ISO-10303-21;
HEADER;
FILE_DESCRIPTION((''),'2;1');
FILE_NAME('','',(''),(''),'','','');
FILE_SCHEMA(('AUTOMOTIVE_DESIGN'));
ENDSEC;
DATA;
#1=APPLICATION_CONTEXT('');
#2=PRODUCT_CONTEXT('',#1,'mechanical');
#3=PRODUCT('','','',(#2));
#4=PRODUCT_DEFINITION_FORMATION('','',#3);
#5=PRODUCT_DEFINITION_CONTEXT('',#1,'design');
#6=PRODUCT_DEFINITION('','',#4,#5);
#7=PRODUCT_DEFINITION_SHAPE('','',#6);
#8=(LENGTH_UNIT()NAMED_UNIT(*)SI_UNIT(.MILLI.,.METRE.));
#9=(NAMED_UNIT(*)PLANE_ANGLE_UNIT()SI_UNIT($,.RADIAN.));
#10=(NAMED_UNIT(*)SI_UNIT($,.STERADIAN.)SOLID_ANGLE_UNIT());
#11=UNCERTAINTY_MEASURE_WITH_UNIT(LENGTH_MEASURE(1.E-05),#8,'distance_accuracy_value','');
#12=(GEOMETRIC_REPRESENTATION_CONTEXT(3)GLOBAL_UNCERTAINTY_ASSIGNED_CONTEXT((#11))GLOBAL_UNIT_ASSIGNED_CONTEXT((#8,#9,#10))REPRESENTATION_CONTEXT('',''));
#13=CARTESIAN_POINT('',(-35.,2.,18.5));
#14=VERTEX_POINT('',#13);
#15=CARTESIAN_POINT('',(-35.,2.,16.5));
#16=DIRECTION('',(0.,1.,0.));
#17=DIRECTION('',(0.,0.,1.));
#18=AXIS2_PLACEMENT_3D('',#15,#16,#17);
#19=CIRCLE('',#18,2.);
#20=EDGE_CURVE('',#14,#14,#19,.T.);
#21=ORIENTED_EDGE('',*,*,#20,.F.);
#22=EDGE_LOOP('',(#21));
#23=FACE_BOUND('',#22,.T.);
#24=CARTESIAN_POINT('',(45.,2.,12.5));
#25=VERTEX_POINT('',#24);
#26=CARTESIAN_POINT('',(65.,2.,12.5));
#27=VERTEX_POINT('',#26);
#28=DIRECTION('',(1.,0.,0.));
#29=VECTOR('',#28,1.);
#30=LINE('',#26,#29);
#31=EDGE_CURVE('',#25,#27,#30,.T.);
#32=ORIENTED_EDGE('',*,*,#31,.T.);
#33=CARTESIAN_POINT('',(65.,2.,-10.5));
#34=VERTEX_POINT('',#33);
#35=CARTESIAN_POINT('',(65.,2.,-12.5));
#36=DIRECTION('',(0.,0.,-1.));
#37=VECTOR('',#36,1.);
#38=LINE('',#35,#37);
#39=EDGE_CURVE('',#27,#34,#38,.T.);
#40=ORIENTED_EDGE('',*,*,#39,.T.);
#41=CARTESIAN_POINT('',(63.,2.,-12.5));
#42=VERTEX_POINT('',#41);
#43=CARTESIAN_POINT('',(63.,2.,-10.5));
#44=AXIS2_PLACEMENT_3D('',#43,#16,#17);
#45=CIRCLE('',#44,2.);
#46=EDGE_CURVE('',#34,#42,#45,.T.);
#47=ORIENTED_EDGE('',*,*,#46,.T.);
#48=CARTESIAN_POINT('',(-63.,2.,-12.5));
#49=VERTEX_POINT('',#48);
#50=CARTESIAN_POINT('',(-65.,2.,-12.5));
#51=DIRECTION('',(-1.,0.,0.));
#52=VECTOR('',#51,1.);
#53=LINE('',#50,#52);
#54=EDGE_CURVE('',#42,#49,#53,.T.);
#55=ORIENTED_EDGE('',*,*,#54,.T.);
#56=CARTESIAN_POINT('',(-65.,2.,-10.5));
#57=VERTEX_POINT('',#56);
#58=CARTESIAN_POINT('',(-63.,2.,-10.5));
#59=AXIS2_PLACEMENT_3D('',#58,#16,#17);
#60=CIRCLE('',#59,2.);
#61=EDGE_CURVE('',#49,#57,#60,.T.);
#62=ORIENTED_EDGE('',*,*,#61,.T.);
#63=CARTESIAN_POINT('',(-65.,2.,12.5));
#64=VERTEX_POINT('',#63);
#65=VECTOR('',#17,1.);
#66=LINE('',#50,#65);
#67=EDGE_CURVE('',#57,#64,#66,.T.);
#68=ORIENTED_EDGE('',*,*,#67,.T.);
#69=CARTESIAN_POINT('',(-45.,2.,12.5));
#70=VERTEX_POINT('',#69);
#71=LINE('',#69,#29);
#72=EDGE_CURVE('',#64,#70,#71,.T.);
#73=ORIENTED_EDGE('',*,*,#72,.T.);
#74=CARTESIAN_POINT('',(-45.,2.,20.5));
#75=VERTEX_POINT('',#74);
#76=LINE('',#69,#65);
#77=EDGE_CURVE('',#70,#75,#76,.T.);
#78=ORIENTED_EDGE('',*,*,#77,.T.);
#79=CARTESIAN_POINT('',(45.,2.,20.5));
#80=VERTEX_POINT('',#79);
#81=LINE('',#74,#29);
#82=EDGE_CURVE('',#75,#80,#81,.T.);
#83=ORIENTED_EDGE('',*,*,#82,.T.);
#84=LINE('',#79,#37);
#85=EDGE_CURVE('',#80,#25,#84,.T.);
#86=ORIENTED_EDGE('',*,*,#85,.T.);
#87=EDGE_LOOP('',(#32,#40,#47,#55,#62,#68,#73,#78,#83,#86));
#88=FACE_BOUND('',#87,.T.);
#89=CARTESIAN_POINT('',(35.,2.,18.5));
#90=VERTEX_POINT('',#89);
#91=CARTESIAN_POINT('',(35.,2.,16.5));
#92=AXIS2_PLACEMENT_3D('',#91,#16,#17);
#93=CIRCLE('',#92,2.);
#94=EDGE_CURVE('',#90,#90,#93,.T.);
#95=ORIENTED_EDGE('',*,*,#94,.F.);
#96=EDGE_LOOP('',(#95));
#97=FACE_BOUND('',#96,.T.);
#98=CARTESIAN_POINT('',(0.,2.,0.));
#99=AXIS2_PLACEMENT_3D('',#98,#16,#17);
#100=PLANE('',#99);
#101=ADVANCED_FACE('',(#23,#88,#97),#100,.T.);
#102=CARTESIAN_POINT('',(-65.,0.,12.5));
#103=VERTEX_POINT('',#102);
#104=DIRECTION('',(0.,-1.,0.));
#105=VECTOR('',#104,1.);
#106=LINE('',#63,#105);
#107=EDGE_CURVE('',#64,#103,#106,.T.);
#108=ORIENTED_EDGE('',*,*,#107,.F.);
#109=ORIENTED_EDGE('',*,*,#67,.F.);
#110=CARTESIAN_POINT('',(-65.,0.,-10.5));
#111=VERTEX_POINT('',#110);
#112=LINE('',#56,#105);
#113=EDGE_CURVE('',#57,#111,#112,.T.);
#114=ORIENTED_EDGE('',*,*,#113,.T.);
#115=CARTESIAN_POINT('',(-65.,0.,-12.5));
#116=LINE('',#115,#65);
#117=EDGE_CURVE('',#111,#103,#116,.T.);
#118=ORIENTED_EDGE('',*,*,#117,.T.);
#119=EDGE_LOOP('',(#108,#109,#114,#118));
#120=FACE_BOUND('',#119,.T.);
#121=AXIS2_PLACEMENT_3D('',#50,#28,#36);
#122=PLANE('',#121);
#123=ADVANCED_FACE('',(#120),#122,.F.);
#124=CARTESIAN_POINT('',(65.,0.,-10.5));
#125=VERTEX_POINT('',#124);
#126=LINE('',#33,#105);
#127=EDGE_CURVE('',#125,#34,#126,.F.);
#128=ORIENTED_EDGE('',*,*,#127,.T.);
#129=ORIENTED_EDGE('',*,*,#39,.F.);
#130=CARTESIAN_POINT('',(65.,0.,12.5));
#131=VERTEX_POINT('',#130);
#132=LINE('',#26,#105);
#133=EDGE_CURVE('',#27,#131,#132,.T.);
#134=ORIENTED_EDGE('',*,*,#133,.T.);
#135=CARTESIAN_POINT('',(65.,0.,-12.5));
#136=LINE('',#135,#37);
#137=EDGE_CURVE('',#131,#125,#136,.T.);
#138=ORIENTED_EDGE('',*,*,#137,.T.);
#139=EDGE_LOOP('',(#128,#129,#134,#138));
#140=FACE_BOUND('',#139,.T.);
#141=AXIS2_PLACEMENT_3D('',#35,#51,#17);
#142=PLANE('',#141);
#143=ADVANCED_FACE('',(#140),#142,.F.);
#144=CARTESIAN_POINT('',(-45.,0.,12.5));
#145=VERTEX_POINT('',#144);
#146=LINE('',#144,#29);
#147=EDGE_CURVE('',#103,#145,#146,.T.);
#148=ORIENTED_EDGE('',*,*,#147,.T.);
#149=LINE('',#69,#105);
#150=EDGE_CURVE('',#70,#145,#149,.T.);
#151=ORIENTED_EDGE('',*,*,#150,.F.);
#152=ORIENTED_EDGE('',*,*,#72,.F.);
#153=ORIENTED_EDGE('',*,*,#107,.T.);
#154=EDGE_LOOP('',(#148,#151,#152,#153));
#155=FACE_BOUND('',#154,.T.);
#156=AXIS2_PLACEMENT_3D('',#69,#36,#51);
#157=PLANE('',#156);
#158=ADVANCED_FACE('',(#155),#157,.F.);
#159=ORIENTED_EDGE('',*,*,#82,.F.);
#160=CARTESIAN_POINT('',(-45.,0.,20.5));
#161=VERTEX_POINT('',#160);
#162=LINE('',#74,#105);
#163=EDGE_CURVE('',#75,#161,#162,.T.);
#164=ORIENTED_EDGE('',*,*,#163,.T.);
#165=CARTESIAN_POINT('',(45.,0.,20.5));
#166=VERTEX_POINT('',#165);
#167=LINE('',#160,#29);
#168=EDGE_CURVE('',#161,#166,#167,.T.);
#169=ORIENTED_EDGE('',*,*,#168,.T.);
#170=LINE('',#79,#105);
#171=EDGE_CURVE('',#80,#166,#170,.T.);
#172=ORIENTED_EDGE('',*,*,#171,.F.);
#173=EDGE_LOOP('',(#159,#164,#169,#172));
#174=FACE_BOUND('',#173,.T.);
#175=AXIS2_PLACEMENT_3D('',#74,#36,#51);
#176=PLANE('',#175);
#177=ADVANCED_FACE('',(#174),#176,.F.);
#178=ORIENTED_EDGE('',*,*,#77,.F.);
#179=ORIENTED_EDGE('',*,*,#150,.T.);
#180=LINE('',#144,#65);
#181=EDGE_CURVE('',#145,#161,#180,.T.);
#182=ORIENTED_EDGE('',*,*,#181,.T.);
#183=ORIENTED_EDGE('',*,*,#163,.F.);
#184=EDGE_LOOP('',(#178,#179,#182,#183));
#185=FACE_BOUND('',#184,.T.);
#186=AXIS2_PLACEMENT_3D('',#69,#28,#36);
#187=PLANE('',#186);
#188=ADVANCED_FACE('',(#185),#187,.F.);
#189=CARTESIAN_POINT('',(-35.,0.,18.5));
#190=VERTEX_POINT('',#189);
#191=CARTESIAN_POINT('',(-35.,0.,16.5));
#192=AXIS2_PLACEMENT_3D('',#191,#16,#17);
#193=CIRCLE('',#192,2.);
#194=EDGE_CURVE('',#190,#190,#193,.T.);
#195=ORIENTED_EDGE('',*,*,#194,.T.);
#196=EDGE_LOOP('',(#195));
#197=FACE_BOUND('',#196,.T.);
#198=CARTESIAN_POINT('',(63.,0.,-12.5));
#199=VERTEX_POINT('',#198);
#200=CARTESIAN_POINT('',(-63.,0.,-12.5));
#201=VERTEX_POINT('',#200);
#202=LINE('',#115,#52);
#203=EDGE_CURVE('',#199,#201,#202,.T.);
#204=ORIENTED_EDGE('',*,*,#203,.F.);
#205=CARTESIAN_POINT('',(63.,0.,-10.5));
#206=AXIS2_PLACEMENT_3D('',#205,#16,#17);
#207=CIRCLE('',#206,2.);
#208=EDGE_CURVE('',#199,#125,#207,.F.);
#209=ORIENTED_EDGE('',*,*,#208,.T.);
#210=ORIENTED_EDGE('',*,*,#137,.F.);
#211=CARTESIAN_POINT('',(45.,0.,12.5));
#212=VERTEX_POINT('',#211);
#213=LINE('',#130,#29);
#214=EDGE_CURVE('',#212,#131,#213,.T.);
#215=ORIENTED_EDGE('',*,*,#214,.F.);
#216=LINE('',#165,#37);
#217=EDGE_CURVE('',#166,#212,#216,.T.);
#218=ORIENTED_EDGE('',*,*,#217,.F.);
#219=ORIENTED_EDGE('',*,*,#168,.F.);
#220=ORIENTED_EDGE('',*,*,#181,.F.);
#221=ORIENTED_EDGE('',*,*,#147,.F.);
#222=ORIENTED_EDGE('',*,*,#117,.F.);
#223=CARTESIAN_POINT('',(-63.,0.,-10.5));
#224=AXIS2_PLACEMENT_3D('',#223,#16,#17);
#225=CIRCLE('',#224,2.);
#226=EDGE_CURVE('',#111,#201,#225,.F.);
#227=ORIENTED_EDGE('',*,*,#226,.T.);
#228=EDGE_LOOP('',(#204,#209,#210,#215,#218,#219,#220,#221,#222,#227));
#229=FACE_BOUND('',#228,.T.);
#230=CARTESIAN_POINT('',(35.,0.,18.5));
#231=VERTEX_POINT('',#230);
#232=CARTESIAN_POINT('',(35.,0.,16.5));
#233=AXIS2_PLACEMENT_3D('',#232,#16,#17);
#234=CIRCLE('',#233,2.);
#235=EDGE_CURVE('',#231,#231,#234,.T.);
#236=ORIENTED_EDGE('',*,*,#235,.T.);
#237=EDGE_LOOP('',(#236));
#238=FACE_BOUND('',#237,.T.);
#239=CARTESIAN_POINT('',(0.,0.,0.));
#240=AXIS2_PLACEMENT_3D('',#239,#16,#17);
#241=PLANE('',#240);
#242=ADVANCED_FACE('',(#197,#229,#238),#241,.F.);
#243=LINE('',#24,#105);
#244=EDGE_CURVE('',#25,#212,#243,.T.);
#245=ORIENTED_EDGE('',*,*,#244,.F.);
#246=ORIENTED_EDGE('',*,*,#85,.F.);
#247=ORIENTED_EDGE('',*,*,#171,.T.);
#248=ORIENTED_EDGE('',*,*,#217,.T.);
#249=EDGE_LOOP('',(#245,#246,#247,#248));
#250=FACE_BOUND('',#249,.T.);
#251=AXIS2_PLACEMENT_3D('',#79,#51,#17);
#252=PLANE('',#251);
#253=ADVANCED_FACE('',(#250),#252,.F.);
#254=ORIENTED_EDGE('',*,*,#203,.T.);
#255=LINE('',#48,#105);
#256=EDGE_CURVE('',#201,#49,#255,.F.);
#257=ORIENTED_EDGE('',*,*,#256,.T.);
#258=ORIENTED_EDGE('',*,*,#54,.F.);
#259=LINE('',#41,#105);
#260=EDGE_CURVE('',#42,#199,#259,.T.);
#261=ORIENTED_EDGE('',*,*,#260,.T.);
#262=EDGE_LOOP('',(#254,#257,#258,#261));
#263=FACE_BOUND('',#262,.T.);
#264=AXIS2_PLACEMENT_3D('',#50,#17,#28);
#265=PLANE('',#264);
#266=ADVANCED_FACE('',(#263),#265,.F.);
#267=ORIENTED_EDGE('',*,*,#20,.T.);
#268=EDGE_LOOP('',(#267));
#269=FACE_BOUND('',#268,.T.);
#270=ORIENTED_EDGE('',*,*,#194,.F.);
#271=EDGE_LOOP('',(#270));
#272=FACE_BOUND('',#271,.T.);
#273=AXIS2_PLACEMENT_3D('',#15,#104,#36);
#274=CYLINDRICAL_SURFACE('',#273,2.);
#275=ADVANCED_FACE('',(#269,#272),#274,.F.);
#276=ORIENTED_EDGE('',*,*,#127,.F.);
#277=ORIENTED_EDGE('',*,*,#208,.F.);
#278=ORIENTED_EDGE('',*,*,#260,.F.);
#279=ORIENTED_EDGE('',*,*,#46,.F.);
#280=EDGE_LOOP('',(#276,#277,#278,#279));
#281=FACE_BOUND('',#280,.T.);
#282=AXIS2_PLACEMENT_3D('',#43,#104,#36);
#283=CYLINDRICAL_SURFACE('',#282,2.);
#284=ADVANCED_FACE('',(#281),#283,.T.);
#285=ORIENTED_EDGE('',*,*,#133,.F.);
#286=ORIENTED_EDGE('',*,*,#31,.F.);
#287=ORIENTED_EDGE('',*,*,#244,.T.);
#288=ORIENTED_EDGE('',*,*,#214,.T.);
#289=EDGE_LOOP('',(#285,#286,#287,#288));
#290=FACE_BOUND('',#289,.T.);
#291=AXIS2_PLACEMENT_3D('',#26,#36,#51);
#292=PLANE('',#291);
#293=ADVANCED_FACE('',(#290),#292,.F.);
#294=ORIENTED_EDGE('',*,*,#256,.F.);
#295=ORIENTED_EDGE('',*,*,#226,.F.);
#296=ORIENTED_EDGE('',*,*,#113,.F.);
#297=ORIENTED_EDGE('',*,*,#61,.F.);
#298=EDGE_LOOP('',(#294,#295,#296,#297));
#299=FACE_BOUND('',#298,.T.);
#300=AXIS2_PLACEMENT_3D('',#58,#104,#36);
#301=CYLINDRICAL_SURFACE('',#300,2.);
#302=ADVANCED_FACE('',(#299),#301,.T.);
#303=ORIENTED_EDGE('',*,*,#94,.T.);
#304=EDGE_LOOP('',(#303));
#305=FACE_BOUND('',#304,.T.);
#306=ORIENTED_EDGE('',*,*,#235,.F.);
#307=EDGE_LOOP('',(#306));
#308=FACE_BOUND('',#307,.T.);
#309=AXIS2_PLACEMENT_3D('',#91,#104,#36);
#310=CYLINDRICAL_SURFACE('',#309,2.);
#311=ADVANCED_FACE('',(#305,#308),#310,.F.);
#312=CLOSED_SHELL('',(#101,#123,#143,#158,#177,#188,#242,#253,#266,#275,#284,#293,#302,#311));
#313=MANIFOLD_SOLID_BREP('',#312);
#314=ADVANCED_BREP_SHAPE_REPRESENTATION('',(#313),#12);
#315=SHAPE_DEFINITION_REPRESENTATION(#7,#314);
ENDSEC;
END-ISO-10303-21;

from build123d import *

# Parameters (mm, degrees)
SKETCH1_R           = 2
BOSS_EXTRUDE1_DEPTH = 2
FILLET1_R           = 2


with BuildPart() as part:
    # Sketch1 → Boss-Extrude1 (new body)
    with BuildSketch(Plane(origin=(0, 0, 0), x_dir=(1, 0, 0), z_dir=(0, 1, 0))):
        Polygon((65, 12.5), (65, -12.5), (45, -12.5), (45, -20.5), (-45, -20.5), (-45, -12.5), (-65, -12.5), (-65, 12.5), align=None)
        with Locations(Location((-35, -16.5, 0), (0, 0, 270))):
            Circle(SKETCH1_R, mode=Mode.SUBTRACT)
        with Locations(Location((35, -16.5, 0), (0, 0, 270))):
            Circle(SKETCH1_R, mode=Mode.SUBTRACT)
    extrude(amount=BOSS_EXTRUDE1_DEPTH)

    # Fillet1
    fillet1_edges = [part.edges().sort_by_distance(p)[0] for p in [
        (-65, 1, -12.5),
        (65, 1, -12.5),
    ]]
    fillet(fillet1_edges, radius=FILLET1_R)


solid = part.part
